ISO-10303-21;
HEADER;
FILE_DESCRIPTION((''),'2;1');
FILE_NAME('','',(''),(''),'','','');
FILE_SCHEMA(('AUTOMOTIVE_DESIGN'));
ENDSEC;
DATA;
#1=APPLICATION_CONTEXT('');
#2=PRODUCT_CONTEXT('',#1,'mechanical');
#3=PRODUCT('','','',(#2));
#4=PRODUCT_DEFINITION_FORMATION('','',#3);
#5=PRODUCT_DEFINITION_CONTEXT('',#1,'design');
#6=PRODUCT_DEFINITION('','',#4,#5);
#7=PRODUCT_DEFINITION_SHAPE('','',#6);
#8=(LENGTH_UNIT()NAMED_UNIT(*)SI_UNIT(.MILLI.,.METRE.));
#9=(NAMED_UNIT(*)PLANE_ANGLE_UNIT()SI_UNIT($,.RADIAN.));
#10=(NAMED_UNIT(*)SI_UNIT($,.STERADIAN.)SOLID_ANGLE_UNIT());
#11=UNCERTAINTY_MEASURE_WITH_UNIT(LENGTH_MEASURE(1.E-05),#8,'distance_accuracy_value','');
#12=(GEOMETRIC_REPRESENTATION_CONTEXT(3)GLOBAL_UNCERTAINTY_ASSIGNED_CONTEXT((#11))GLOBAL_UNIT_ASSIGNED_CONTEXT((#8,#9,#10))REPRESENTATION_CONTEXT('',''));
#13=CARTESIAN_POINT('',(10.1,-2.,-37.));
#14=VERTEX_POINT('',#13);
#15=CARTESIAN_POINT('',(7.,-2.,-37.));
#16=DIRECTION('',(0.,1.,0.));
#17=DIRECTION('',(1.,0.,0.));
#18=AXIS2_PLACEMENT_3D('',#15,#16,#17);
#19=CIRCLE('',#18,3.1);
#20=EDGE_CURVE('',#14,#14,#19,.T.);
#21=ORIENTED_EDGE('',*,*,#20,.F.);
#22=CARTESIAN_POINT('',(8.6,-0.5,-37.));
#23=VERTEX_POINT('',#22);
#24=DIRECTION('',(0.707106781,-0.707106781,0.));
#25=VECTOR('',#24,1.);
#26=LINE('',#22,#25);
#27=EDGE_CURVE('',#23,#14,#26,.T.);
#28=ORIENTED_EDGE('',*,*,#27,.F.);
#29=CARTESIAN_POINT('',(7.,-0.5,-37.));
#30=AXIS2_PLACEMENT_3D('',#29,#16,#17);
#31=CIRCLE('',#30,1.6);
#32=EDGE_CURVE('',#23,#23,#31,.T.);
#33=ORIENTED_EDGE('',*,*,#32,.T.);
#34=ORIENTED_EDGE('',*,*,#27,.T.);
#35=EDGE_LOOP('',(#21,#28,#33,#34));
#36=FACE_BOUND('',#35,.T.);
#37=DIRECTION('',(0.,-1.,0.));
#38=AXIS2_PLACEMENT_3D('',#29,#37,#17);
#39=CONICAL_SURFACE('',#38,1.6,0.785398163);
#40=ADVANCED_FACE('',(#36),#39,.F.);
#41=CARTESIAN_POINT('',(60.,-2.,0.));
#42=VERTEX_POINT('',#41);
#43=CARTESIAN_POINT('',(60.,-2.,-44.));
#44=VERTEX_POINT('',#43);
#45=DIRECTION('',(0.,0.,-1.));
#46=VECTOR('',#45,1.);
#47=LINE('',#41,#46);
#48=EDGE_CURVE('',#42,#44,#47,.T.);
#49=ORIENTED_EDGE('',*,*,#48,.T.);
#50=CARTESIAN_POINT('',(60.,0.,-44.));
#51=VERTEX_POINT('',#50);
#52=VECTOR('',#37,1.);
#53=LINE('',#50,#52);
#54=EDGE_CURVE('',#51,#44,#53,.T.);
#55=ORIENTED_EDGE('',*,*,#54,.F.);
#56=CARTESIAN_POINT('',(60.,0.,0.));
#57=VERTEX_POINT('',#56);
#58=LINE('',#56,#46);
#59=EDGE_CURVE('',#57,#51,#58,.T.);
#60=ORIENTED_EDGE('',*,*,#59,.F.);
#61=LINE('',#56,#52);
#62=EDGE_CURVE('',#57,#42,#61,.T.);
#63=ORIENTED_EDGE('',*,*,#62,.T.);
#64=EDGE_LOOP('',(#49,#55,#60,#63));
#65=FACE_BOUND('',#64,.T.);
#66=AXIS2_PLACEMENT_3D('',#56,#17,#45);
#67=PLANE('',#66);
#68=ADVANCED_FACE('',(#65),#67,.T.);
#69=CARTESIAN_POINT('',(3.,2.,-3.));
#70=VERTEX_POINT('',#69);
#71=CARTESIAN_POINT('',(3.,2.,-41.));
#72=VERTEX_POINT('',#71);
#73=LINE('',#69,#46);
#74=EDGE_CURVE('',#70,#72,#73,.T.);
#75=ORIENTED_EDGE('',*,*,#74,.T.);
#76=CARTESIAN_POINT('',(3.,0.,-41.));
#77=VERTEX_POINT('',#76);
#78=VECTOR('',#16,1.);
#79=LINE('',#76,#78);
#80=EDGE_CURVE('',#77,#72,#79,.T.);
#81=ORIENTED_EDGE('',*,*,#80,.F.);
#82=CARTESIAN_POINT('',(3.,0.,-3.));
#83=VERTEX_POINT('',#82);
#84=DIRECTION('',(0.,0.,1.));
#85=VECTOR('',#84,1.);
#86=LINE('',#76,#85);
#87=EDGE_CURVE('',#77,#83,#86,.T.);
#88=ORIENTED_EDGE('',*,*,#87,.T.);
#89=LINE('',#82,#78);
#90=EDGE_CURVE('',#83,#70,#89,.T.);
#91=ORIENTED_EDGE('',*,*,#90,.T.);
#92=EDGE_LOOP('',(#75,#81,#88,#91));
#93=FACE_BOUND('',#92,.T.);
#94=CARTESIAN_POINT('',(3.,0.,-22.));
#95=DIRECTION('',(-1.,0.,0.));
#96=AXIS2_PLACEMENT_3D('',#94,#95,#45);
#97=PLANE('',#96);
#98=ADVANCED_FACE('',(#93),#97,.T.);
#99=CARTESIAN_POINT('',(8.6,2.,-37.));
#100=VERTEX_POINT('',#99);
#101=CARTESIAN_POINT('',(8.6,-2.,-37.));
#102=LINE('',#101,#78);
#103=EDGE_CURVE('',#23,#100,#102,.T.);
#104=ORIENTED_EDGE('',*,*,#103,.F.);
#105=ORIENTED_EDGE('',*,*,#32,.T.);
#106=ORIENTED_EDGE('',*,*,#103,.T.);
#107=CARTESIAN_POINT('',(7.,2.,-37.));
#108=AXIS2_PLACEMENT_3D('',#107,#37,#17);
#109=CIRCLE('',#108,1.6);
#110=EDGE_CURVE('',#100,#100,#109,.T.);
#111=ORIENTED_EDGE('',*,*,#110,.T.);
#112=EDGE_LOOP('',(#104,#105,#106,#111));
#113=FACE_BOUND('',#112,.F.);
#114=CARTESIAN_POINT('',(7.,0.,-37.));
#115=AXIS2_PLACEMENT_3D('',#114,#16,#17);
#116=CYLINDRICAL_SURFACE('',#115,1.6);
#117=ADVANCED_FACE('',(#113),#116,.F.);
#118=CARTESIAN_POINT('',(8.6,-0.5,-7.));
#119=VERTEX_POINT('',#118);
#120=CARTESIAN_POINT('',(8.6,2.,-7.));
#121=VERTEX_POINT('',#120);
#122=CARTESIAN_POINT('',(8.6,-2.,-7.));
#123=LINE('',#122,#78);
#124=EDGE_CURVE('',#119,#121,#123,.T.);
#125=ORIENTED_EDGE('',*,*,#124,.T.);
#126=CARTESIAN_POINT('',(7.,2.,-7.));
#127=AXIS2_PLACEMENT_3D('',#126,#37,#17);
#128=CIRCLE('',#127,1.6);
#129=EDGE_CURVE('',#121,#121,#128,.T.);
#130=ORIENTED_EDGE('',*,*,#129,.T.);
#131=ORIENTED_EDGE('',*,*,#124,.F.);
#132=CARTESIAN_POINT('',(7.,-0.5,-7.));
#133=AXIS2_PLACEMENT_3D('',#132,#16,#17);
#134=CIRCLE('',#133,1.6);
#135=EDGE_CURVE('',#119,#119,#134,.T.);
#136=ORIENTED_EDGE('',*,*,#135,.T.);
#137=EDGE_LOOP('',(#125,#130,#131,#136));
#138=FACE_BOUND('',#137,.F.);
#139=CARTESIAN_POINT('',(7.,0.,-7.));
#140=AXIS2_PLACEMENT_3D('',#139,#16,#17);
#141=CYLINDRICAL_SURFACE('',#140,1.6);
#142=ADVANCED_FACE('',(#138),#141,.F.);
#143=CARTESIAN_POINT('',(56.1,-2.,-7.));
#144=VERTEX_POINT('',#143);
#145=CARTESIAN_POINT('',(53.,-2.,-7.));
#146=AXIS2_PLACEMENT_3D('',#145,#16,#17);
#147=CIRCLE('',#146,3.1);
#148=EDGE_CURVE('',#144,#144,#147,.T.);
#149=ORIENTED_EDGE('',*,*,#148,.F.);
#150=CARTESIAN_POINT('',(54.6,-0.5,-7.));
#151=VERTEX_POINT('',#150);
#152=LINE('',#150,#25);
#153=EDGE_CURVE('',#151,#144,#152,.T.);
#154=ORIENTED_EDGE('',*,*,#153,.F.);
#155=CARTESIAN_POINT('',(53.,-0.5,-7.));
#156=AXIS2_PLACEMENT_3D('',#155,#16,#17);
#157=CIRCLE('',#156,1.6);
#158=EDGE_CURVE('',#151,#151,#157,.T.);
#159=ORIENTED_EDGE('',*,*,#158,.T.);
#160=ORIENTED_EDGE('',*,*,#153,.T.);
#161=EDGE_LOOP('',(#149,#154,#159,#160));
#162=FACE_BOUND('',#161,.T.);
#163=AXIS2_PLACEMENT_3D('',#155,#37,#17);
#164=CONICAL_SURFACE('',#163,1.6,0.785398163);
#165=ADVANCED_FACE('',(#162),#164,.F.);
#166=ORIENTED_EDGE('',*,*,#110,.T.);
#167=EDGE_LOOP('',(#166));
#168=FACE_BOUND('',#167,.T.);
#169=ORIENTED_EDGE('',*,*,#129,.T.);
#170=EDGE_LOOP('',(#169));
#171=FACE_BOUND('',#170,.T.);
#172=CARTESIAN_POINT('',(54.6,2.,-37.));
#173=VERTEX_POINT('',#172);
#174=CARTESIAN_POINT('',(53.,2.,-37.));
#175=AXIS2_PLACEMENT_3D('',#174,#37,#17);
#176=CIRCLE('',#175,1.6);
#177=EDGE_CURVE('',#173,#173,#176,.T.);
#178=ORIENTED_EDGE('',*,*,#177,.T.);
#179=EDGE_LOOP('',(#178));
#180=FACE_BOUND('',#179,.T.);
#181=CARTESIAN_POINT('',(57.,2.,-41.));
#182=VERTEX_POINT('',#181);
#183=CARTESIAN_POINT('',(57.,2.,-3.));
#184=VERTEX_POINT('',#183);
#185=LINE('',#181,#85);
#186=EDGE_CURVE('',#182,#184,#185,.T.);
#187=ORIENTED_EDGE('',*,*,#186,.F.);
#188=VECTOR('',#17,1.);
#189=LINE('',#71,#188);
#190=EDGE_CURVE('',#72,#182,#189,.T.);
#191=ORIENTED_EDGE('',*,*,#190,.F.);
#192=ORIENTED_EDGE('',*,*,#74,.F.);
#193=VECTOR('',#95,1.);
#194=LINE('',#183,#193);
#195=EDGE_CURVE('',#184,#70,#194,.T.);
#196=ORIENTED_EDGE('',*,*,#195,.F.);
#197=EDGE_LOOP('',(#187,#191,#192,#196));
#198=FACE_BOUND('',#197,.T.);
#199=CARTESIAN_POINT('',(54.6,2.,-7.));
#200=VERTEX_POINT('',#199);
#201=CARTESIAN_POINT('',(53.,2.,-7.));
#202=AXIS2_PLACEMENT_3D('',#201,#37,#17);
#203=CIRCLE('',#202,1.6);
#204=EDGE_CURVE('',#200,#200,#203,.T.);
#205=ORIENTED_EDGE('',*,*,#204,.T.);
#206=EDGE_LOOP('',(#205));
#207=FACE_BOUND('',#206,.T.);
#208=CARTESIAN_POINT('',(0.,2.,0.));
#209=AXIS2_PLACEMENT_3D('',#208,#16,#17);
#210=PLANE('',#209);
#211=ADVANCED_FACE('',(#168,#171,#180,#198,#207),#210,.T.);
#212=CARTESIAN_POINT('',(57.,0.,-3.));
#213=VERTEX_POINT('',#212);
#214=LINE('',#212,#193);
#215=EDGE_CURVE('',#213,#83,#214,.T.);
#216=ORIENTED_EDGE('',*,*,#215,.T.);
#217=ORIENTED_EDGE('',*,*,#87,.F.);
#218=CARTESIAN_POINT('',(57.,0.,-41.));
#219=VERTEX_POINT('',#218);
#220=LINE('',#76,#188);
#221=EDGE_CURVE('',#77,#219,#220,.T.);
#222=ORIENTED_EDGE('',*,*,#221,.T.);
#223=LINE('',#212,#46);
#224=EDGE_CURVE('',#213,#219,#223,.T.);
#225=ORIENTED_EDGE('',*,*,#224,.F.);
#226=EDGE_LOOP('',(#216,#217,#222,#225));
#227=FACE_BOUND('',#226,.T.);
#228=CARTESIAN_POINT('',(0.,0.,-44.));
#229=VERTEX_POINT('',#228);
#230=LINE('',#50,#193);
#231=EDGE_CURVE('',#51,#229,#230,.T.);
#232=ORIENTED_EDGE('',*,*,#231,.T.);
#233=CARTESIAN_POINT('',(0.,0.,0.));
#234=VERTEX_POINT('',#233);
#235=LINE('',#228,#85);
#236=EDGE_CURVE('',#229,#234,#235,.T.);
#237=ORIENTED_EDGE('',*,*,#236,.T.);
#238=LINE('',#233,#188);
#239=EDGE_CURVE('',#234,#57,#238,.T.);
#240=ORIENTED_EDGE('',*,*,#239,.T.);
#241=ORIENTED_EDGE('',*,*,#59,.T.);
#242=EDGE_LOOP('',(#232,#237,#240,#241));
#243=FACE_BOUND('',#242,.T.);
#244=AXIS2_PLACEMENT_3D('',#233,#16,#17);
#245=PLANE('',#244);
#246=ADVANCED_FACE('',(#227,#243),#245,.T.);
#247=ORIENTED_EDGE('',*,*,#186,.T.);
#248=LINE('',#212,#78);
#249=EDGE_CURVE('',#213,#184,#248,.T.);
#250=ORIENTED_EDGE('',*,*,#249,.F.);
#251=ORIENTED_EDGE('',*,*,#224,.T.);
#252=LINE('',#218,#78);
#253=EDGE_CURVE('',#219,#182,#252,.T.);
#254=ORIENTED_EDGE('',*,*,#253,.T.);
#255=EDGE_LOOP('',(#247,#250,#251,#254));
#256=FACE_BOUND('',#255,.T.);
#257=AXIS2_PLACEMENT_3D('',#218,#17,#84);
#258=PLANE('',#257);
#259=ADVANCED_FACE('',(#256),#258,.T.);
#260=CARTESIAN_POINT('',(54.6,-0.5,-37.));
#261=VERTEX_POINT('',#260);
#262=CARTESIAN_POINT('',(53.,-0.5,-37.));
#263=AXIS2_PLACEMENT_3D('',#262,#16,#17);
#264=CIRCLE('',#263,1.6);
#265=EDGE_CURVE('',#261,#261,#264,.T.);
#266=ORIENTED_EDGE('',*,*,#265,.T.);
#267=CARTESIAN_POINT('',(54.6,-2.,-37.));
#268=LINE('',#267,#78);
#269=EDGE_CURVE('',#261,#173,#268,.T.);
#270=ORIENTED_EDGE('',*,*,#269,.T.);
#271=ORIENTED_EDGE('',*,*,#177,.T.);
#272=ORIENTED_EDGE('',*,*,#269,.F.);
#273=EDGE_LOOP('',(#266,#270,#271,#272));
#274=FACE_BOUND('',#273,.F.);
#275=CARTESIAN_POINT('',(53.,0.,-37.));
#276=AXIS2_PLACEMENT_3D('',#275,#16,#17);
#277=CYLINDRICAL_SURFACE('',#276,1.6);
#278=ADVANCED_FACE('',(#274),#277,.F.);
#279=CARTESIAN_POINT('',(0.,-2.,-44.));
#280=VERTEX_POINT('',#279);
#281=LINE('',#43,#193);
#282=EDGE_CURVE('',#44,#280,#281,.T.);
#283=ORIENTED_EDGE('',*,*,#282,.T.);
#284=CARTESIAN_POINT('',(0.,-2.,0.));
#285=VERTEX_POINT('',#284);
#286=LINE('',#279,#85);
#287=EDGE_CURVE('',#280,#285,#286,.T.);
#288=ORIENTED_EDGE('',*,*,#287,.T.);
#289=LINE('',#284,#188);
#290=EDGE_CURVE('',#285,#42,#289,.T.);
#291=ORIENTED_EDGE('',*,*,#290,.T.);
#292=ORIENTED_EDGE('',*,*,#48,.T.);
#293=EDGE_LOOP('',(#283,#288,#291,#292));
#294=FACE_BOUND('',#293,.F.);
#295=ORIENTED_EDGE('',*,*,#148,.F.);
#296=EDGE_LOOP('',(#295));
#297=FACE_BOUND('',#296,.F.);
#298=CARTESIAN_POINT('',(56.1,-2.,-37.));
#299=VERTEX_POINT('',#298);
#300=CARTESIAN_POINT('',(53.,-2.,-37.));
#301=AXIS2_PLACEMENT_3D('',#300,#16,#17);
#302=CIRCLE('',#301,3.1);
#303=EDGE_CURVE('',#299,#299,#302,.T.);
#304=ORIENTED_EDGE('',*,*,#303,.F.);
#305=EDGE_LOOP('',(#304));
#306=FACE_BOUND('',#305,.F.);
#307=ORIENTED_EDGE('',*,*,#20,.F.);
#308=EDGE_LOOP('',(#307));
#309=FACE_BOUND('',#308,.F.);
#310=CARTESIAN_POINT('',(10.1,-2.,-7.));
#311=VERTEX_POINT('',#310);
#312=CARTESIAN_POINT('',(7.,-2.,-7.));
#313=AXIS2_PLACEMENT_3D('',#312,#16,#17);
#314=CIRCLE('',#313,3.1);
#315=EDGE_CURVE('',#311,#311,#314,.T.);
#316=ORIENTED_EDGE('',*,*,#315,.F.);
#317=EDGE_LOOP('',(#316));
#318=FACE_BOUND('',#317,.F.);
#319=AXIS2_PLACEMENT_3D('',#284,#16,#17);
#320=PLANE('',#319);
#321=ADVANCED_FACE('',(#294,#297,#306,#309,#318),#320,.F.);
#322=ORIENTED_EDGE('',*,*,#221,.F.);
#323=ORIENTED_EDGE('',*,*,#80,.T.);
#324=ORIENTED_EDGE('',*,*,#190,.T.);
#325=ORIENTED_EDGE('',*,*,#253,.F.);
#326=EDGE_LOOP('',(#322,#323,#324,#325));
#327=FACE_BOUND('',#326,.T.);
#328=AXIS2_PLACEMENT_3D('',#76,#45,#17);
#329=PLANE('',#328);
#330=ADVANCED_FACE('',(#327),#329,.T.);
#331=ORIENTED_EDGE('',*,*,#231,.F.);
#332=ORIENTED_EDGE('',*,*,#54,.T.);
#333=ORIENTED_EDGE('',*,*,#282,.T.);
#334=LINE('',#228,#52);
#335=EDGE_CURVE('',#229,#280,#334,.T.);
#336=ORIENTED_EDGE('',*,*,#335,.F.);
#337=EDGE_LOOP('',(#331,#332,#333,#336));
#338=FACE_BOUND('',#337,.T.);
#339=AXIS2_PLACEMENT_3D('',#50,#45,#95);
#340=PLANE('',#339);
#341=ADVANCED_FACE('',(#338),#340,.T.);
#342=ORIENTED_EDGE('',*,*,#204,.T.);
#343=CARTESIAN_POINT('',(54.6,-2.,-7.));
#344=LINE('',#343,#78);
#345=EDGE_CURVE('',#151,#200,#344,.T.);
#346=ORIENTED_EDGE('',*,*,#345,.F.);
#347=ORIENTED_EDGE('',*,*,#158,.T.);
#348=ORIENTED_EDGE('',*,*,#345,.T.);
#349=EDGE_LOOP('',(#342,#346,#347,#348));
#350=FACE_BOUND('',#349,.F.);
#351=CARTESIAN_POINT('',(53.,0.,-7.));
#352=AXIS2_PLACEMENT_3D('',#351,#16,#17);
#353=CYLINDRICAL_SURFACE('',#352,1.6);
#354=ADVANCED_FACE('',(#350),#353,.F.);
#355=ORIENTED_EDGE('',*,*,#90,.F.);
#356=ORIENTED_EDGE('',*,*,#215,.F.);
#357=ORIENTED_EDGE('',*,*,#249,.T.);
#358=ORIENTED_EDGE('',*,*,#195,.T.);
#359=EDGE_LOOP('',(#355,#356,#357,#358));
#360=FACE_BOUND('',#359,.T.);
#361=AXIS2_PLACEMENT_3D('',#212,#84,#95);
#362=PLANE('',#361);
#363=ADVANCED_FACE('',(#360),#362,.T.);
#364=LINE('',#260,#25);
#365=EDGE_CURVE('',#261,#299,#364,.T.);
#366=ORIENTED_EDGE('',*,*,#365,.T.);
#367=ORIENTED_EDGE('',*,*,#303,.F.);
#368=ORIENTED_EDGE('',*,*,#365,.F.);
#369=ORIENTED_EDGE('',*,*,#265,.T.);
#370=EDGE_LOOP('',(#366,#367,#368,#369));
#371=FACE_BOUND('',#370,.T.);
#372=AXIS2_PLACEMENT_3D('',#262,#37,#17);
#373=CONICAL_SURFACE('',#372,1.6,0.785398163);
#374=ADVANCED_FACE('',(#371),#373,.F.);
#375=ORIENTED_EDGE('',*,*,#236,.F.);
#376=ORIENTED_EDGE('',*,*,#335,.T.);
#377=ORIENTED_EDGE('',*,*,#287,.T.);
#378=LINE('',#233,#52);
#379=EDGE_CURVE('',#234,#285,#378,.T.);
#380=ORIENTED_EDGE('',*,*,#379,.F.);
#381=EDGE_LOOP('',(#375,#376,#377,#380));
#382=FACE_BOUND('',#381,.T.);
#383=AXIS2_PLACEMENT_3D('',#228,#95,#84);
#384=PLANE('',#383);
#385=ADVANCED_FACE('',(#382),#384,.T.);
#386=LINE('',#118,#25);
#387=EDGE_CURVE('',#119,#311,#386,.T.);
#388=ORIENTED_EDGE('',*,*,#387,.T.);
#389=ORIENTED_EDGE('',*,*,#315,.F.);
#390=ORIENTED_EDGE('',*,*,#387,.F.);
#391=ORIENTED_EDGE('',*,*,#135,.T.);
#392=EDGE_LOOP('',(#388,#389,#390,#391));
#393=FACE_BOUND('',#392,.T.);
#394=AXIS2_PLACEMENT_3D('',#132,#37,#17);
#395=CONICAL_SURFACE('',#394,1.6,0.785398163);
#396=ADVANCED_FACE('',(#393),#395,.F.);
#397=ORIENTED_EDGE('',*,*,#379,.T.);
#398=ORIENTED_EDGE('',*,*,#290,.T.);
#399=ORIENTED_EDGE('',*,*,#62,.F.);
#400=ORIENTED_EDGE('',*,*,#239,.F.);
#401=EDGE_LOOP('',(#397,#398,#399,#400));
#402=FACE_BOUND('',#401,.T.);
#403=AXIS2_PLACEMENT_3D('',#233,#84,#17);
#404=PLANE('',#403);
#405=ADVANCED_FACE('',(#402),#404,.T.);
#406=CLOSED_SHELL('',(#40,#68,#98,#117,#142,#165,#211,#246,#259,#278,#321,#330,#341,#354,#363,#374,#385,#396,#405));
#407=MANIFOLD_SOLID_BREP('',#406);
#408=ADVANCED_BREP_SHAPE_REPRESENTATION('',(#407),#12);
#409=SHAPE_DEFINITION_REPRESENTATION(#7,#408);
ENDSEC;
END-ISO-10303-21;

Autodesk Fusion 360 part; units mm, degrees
sketch "Sketch1" plane through (0, 0, 0) normal (0, 1, 0) x (1, 0, 0)
  line L0 (0, 0) -> (60, 0)
  line L1 (60, 0) -> (60, 44)
  line L2 (60, 44) -> (0, 44)
  line L3 (0, 44) -> (0, 0)
  line L4 (3, 41) -> (57, 41)
  line L5 (57, 41) -> (57, 3)
  line L6 (57, 3) -> (3, 3)
  line L7 (3, 3) -> (3, 41)
  circle A0 centre (7, 37) radius 1.6
  circle A1 centre (53, 37) radius 1.6
  line L8 (3, 22) -> (57, 22)
  circle A2 centre (7, 7) radius 1.6
  circle A3 centre (53, 7) radius 1.6
  dimension "d1" = 60
  dimension "d2" = 44
  dimension "d3" = 54
  dimension "d4" = 38
  dimension "d9" = 3.2
  dimension "d10" = 3.2
extrude "Extrude1" add sketch "Sketch1" against normal blind 2 contours L0 L1 L2 L3 | L4 L5 L7 L8 | L5 L6 L7 L8 | A0 | A1 | A2 | A3
extrude "Extrude2" add sketch "Sketch1" along normal blind 2 contours L4 L5 L7 L8 | L5 L6 L7 L8 | A0 | A1 | A2 | A3
extrude "Extrude3" cut sketch "Sketch1" along normal blind 3 contours A0 | A1 | A2 | A3
extrude "Extrude4" cut sketch "Sketch1" against normal blind 8 contours A0 | A1 | A2 | A3
chamfer "Chamfer1" distance 0.75 angle 45 4 edges at (5.5083, -2, -6.4214) (5.5083, -2, -36.4214) (51.5083, -2, -36.4214) (51.5083, -2, -6.4214)
delete_face "DeleteFace1" 1 faces at (54.892, -1.75, -6.0888)
delete_face "DeleteFace2" 1 faces at (54.892, -1.75, -36.0888)
delete_face "DeleteFace3" 1 faces at (8.05, -1.75, -8.8187)
delete_face "DeleteFace4" 1 faces at (5.2649, -1.75, -38.183)
chamfer "Chamfer2" distance 1.5 angle 45 4 edges at (5.5083, -2, -7.5786) (51.5083, -2, -7.5786) (51.5083, -2, -37.5786) (5.5083, -2, -37.5786)
equation "d3 = 118 mm - 64 mm"
